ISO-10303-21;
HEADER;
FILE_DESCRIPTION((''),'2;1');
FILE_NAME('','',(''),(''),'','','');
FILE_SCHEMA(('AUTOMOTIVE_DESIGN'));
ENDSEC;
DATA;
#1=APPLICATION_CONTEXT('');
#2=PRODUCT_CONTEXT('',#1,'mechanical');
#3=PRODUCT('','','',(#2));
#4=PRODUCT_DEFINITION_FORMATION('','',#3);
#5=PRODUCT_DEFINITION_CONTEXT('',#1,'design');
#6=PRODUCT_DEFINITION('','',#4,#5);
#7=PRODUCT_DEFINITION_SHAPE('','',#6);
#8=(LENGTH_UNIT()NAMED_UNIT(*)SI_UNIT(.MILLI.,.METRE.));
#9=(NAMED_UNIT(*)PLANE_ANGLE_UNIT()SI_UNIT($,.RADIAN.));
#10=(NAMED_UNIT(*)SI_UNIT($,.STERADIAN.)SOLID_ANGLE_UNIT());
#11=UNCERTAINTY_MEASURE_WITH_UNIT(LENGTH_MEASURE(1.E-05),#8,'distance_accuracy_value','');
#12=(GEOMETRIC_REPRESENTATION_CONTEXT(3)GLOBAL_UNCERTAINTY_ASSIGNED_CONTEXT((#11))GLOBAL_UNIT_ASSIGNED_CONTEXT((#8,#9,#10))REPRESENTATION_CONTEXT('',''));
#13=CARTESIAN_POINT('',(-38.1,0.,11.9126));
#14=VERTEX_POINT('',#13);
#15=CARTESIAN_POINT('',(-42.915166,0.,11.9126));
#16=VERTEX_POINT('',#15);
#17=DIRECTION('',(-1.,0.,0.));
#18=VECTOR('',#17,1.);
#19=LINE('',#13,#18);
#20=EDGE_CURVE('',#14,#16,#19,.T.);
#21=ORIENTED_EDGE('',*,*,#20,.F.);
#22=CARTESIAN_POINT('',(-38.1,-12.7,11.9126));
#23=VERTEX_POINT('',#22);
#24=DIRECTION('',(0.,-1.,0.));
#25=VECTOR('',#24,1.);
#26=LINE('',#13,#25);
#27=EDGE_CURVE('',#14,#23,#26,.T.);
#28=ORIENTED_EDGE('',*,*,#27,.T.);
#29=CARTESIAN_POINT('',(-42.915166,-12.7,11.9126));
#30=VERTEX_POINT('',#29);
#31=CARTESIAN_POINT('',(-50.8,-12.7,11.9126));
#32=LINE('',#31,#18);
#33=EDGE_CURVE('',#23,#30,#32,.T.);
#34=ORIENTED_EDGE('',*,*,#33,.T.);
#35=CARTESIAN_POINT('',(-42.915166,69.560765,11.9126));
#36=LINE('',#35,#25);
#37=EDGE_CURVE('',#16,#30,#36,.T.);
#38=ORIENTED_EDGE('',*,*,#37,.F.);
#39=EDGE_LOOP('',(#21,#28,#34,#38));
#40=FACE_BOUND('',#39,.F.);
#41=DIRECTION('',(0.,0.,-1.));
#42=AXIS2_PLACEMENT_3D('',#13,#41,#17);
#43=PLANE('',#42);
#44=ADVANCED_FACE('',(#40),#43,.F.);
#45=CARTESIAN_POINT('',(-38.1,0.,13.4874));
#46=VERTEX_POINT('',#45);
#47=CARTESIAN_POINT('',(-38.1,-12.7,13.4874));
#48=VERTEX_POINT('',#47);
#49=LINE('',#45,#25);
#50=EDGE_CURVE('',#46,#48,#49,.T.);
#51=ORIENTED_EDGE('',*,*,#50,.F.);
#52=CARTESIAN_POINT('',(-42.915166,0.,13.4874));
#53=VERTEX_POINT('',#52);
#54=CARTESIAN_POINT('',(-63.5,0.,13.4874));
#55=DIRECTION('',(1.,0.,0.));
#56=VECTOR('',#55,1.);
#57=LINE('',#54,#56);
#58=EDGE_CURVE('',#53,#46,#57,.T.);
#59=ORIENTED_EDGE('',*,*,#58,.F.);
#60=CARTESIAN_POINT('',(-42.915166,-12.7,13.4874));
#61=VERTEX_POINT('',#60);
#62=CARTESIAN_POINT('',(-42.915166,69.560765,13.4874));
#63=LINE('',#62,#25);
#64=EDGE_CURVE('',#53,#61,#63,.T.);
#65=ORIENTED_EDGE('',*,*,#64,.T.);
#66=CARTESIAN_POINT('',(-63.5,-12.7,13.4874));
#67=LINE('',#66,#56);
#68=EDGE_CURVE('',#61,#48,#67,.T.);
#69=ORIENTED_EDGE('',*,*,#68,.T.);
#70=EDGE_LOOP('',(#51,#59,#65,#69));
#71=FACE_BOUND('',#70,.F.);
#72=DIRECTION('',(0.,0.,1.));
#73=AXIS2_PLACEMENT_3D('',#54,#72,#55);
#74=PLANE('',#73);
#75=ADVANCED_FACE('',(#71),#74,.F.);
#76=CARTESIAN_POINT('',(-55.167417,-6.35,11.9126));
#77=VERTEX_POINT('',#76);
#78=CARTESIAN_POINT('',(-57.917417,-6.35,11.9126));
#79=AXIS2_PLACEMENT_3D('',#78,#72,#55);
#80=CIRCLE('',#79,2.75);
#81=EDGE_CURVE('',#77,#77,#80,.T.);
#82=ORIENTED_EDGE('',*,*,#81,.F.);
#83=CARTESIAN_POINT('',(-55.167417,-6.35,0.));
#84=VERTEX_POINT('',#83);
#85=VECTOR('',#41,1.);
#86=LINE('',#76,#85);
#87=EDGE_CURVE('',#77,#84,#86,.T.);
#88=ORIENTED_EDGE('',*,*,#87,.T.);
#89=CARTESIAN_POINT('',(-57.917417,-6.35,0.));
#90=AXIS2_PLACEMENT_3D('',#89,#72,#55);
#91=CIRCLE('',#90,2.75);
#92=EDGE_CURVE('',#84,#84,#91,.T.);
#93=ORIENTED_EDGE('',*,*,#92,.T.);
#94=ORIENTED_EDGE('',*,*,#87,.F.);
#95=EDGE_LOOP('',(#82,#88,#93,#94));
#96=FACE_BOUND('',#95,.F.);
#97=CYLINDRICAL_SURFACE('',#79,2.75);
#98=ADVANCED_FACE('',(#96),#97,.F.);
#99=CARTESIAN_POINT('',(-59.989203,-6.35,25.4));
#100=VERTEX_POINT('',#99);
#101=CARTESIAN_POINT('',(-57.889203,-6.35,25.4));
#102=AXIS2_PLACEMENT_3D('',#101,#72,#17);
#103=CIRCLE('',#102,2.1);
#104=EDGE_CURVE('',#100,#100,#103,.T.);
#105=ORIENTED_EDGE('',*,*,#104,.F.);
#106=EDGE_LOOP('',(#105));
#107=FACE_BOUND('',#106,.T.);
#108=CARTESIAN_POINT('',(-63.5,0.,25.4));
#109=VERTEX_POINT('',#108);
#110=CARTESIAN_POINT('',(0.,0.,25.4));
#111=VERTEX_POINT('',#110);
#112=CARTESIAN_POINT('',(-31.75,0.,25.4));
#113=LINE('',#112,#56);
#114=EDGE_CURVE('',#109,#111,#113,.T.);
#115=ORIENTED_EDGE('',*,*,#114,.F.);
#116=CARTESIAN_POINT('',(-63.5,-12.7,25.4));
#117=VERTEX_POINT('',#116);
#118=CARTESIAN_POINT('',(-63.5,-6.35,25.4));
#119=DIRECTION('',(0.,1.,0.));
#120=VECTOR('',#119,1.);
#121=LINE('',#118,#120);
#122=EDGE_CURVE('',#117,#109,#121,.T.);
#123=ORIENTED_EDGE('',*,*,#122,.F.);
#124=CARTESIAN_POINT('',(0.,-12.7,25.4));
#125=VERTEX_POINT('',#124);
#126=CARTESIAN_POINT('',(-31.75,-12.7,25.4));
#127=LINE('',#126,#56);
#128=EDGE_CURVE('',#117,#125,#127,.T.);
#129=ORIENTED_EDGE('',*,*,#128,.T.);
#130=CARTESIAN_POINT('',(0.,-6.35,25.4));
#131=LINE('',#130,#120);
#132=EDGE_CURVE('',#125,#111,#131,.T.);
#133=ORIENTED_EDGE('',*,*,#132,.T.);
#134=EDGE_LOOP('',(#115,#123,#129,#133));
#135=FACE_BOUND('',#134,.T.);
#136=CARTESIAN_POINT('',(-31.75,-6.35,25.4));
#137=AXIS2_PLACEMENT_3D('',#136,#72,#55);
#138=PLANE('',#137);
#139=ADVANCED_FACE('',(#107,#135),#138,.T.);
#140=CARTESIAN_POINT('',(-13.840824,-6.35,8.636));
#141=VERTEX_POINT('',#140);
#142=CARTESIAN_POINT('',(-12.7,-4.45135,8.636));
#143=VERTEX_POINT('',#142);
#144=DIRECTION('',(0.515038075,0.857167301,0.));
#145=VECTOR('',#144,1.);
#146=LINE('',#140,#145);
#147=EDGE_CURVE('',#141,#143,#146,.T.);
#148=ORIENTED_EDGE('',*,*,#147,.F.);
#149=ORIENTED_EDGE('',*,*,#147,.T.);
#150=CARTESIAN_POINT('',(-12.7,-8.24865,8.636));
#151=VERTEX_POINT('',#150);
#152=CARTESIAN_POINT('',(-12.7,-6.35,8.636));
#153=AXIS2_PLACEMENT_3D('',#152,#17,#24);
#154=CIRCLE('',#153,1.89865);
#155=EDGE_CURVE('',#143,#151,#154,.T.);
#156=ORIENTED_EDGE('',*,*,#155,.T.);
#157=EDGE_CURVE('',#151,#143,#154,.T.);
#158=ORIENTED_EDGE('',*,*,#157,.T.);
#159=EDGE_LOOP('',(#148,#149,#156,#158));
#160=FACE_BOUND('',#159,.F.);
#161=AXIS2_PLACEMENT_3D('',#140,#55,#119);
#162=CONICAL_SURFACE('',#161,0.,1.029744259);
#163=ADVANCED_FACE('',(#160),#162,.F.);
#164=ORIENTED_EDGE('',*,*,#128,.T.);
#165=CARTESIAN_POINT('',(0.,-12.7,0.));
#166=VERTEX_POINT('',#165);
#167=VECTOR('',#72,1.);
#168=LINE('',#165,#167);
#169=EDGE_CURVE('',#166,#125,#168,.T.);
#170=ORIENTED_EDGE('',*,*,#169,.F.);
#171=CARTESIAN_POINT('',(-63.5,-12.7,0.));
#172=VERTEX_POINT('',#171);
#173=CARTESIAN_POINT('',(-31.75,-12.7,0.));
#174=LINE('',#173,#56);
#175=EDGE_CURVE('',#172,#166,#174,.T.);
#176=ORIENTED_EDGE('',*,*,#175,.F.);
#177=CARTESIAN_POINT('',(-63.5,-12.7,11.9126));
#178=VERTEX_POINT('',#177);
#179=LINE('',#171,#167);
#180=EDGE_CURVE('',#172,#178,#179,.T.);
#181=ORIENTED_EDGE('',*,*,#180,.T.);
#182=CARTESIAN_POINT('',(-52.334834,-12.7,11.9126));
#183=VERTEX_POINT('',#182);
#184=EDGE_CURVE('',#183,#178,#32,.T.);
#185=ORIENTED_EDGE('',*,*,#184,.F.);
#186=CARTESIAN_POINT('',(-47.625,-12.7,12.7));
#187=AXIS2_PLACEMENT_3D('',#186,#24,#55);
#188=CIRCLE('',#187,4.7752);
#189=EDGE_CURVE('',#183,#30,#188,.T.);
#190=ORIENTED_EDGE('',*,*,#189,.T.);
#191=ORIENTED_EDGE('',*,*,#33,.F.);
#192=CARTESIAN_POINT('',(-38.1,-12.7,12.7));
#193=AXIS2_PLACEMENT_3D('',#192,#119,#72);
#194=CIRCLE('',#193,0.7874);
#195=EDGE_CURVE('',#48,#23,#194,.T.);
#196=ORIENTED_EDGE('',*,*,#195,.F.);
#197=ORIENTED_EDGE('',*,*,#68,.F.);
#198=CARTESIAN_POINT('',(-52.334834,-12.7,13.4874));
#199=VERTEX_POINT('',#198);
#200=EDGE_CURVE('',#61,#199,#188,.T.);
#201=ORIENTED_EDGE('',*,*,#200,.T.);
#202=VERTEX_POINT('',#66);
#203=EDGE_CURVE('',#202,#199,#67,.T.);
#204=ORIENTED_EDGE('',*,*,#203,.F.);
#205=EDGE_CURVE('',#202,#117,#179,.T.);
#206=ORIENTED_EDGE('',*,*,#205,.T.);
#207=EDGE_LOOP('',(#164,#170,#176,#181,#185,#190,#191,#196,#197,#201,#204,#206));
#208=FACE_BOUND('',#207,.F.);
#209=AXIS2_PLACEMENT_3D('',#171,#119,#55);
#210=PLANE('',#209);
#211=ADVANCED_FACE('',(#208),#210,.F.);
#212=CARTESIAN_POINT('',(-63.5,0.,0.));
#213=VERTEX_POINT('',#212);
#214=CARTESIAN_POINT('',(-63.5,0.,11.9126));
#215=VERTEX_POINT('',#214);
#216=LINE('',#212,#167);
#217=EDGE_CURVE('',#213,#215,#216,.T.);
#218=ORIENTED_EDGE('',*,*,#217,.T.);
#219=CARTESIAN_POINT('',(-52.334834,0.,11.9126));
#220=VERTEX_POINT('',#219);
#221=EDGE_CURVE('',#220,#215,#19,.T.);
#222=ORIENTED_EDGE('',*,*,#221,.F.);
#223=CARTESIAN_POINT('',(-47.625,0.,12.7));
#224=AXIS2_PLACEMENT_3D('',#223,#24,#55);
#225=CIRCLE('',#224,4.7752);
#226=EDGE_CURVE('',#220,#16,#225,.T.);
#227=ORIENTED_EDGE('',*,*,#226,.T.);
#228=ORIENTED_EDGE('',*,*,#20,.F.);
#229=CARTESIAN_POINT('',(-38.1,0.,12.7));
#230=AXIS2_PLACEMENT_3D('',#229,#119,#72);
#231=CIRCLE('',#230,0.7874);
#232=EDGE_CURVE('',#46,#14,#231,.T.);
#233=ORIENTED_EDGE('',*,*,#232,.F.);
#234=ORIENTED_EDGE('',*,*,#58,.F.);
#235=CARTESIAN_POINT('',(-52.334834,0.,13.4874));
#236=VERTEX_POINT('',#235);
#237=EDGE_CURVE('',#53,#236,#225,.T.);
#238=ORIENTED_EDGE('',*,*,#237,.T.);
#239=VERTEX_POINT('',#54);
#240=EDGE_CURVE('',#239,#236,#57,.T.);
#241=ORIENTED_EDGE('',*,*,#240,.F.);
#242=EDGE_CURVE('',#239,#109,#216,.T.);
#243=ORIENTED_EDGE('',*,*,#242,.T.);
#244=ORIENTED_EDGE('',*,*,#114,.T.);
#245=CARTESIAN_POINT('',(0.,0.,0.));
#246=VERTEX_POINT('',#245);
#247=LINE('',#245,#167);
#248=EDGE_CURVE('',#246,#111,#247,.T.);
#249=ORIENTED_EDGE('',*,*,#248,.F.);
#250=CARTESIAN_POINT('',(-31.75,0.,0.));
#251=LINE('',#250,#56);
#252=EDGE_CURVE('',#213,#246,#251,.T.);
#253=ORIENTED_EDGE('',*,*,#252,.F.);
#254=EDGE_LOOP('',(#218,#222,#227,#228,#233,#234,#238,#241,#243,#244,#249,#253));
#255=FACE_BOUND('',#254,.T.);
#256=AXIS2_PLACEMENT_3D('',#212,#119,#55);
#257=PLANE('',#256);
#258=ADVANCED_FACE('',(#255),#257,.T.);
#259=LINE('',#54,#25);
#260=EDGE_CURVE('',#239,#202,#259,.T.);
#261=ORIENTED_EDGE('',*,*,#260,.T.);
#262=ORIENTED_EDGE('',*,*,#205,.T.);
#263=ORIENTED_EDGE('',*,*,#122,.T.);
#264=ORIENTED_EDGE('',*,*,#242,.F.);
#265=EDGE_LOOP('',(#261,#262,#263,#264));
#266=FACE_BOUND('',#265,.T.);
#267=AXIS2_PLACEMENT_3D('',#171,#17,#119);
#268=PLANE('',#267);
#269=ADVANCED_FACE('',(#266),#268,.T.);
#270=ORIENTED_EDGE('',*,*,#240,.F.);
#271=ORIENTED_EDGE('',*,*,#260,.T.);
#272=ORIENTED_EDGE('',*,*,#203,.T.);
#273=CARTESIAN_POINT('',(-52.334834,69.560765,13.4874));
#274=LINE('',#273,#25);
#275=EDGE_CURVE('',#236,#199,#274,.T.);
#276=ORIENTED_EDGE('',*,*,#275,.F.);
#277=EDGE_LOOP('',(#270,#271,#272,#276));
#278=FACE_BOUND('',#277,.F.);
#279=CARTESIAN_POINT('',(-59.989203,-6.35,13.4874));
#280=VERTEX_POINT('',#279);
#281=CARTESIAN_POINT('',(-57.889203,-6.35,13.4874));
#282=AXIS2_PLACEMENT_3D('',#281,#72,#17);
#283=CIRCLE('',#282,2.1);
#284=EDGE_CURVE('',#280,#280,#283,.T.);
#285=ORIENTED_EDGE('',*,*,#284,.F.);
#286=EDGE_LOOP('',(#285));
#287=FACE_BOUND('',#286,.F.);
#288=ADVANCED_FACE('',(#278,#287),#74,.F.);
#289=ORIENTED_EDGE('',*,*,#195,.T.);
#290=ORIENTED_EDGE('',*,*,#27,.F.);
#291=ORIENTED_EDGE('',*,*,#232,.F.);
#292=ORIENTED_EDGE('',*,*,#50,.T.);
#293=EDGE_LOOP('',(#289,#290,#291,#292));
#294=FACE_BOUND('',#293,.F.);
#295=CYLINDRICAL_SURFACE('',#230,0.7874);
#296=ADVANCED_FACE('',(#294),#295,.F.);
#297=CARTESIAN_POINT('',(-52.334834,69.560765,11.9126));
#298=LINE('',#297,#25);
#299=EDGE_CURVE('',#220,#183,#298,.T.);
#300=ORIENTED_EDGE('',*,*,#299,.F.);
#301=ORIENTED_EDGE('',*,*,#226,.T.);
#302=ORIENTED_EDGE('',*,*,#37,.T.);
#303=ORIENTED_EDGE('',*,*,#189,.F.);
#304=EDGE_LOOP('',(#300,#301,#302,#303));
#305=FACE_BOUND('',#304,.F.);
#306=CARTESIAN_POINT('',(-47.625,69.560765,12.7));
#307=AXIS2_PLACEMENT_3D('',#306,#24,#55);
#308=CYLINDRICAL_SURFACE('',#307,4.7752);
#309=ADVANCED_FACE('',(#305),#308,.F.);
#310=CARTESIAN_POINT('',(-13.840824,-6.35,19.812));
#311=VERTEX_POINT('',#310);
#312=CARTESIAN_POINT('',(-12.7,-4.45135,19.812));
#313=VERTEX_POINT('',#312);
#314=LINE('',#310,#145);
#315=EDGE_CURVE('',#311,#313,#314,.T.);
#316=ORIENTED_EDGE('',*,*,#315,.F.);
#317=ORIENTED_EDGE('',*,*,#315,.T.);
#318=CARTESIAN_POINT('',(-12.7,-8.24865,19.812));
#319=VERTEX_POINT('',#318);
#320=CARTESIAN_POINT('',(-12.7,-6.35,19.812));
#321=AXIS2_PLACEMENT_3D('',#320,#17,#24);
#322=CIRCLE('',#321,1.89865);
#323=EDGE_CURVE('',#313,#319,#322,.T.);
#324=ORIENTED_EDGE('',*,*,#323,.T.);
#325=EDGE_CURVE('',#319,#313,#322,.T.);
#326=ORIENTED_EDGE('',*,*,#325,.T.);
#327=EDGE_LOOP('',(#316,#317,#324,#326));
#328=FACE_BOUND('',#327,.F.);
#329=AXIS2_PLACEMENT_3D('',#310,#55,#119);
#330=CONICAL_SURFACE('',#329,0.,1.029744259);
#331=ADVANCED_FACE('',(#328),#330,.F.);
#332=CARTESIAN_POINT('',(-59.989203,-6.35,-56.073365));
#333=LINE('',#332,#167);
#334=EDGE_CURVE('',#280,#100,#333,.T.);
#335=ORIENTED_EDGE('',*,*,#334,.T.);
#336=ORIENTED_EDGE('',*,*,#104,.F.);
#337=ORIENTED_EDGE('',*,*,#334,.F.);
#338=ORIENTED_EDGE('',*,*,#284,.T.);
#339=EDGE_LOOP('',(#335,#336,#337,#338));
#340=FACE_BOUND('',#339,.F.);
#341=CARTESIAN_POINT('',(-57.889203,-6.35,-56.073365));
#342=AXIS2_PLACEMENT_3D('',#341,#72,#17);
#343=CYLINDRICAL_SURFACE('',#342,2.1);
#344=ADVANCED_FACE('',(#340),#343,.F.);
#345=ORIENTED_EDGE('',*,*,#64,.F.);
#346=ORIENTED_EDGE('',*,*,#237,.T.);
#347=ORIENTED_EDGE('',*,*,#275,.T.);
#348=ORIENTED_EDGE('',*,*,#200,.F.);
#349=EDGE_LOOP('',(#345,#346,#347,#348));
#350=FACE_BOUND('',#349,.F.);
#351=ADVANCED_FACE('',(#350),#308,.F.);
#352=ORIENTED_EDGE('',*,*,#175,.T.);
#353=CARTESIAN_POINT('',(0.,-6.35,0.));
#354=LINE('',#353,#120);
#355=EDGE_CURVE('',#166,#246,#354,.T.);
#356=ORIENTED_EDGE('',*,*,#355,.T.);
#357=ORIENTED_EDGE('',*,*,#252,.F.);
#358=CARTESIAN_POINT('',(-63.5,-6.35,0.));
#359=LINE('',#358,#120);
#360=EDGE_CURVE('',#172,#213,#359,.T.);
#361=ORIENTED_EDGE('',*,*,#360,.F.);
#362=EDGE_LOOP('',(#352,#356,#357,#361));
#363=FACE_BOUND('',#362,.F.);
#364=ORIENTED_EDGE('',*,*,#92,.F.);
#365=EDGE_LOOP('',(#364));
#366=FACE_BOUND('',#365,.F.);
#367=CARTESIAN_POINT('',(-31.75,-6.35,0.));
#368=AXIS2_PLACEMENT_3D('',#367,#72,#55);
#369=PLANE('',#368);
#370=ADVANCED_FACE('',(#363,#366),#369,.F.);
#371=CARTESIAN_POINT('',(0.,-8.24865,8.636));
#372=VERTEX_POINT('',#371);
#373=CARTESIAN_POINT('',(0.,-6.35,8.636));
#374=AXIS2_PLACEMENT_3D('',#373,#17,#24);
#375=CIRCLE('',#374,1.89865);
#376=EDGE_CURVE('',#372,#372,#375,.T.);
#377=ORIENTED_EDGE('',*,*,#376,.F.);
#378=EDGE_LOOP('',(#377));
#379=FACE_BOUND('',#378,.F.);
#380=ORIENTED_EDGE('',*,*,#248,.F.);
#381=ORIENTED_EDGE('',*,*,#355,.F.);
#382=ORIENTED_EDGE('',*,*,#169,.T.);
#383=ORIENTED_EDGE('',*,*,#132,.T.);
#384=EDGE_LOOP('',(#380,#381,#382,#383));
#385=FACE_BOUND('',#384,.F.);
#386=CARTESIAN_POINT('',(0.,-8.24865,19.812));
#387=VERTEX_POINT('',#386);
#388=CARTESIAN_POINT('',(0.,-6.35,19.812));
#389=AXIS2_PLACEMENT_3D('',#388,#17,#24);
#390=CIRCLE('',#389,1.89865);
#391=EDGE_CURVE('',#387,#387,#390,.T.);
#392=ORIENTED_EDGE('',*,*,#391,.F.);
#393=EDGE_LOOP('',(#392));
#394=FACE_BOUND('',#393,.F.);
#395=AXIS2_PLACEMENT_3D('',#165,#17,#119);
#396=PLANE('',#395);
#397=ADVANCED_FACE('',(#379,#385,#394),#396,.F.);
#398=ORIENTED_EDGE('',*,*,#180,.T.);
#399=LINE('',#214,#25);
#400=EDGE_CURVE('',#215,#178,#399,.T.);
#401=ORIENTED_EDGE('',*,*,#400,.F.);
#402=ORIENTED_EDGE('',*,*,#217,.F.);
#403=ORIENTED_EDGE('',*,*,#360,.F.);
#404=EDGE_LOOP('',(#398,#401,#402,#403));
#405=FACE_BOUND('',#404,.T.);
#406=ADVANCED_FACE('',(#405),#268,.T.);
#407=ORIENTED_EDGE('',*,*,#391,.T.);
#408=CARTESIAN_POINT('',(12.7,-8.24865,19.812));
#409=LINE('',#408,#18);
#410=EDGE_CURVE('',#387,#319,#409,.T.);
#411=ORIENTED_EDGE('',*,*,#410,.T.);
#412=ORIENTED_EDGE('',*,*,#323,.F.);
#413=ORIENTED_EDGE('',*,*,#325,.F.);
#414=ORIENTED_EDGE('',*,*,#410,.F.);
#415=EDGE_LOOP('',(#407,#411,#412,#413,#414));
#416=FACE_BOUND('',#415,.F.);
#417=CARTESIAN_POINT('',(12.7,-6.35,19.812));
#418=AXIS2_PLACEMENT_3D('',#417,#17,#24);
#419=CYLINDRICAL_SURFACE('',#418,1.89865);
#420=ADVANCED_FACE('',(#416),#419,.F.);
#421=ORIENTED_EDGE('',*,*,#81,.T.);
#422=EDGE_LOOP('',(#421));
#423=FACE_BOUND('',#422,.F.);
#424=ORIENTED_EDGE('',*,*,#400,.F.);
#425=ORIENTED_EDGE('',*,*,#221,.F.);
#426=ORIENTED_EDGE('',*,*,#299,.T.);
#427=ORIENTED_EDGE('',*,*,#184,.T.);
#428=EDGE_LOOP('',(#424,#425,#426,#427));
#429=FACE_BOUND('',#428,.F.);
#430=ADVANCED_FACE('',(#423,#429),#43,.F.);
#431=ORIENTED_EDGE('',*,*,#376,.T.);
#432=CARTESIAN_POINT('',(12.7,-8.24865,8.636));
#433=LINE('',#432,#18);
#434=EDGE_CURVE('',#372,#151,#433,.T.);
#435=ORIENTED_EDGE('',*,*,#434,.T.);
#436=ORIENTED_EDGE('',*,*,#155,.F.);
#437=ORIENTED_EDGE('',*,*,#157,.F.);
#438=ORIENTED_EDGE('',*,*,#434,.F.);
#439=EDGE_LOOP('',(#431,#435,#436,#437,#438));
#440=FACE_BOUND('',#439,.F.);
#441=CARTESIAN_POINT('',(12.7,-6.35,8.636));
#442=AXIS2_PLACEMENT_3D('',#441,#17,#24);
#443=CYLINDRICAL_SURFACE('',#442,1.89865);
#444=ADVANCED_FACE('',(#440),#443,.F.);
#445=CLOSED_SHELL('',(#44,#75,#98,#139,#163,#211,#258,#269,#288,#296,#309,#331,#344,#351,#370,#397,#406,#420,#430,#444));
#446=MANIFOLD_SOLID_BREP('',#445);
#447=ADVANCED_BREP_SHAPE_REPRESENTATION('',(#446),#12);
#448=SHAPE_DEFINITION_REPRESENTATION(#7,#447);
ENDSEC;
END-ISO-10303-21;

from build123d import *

# Parameters (mm, degrees)
F0_W      = 63.5
F0_H      = 12.7
F1_DEPTH  = 25.4
F3_D      = 3.7973
F3_DEPTH  = 12.7
F3_TIP    = 1.1408240143
F4_D      = 3.7973
F4_DEPTH  = 12.7
F4_TIP    = 1.1408240143
F6_D      = 9.5504
F7_DEPTH  = 12.701
F10_D     = 5.5
F10_DEPTH = 11.9136
F12_D     = 4.2


with BuildPart() as f1:
    # F0 (on Top) → F1 (new body)
    with BuildSketch(Plane.XY):
        with Locations((-31.75, -6.35)):
            Rectangle(F0_W, F0_H)
    extrude(amount=F1_DEPTH)

    # F3
    with Locations(Plane.YZ):
        with Locations((-6.35, 19.812)):
            Hole(F3_D / 2, depth=F3_DEPTH)
            with Locations((0, 0, -(F3_DEPTH + F3_TIP / 2))):  # 118° drill point
                Cone(0, F3_D / 2, F3_TIP, mode=Mode.SUBTRACT)

    # F4
    with Locations(Plane.YZ):
        with Locations((-6.35, 8.636)):
            Hole(F4_D / 2, depth=F4_DEPTH)
            with Locations((0, 0, -(F4_DEPTH + F4_TIP / 2))):  # 118° drill point
                Cone(0, F4_D / 2, F4_TIP, mode=Mode.SUBTRACT)

    # F6 (through all)
    with Locations(Plane(origin=(0, 0, 0), x_dir=(-1, 0, 0), z_dir=(0, 1, 0))):
        with Locations((47.625, 12.7)):
            Hole(F6_D / 2)

    # F5 (on face) → F7 (cut, through all)
    with BuildSketch(Plane(origin=(0, 0, 0), x_dir=(-1, 0, 0), z_dir=(0, 1, 0))):
        with BuildLine():
            ThreePointArc((38.1, 13.4874), (37.3126, 12.7), (38.1, 11.9126))
            Line((38.1, 11.9126), (63.5, 11.9126))
            Line((63.5, 11.9126), (63.5, 12.7))
            Line((63.5, 12.7), (63.5, 13.4874))
            Line((63.5, 13.4874), (38.1, 13.4874))
        make_face()
    extrude(amount=-F7_DEPTH, mode=Mode.SUBTRACT)

    # F10 (through all, one way)
    with BuildSketch(Plane.XY.offset(11.9126)):
        with Locations((-57.9174169985, -6.35)):
            Circle(F10_D / 2)
    extrude(amount=-F10_DEPTH, mode=Mode.SUBTRACT)

    # F12 (through all)
    with Locations(Plane(origin=(0, 0, 13.4874), x_dir=(1, 0, 0), z_dir=(0, 0, -1))):
        with Locations((-57.8892030611, 6.35)):
            Hole(F12_D / 2)


solid = f1.part
